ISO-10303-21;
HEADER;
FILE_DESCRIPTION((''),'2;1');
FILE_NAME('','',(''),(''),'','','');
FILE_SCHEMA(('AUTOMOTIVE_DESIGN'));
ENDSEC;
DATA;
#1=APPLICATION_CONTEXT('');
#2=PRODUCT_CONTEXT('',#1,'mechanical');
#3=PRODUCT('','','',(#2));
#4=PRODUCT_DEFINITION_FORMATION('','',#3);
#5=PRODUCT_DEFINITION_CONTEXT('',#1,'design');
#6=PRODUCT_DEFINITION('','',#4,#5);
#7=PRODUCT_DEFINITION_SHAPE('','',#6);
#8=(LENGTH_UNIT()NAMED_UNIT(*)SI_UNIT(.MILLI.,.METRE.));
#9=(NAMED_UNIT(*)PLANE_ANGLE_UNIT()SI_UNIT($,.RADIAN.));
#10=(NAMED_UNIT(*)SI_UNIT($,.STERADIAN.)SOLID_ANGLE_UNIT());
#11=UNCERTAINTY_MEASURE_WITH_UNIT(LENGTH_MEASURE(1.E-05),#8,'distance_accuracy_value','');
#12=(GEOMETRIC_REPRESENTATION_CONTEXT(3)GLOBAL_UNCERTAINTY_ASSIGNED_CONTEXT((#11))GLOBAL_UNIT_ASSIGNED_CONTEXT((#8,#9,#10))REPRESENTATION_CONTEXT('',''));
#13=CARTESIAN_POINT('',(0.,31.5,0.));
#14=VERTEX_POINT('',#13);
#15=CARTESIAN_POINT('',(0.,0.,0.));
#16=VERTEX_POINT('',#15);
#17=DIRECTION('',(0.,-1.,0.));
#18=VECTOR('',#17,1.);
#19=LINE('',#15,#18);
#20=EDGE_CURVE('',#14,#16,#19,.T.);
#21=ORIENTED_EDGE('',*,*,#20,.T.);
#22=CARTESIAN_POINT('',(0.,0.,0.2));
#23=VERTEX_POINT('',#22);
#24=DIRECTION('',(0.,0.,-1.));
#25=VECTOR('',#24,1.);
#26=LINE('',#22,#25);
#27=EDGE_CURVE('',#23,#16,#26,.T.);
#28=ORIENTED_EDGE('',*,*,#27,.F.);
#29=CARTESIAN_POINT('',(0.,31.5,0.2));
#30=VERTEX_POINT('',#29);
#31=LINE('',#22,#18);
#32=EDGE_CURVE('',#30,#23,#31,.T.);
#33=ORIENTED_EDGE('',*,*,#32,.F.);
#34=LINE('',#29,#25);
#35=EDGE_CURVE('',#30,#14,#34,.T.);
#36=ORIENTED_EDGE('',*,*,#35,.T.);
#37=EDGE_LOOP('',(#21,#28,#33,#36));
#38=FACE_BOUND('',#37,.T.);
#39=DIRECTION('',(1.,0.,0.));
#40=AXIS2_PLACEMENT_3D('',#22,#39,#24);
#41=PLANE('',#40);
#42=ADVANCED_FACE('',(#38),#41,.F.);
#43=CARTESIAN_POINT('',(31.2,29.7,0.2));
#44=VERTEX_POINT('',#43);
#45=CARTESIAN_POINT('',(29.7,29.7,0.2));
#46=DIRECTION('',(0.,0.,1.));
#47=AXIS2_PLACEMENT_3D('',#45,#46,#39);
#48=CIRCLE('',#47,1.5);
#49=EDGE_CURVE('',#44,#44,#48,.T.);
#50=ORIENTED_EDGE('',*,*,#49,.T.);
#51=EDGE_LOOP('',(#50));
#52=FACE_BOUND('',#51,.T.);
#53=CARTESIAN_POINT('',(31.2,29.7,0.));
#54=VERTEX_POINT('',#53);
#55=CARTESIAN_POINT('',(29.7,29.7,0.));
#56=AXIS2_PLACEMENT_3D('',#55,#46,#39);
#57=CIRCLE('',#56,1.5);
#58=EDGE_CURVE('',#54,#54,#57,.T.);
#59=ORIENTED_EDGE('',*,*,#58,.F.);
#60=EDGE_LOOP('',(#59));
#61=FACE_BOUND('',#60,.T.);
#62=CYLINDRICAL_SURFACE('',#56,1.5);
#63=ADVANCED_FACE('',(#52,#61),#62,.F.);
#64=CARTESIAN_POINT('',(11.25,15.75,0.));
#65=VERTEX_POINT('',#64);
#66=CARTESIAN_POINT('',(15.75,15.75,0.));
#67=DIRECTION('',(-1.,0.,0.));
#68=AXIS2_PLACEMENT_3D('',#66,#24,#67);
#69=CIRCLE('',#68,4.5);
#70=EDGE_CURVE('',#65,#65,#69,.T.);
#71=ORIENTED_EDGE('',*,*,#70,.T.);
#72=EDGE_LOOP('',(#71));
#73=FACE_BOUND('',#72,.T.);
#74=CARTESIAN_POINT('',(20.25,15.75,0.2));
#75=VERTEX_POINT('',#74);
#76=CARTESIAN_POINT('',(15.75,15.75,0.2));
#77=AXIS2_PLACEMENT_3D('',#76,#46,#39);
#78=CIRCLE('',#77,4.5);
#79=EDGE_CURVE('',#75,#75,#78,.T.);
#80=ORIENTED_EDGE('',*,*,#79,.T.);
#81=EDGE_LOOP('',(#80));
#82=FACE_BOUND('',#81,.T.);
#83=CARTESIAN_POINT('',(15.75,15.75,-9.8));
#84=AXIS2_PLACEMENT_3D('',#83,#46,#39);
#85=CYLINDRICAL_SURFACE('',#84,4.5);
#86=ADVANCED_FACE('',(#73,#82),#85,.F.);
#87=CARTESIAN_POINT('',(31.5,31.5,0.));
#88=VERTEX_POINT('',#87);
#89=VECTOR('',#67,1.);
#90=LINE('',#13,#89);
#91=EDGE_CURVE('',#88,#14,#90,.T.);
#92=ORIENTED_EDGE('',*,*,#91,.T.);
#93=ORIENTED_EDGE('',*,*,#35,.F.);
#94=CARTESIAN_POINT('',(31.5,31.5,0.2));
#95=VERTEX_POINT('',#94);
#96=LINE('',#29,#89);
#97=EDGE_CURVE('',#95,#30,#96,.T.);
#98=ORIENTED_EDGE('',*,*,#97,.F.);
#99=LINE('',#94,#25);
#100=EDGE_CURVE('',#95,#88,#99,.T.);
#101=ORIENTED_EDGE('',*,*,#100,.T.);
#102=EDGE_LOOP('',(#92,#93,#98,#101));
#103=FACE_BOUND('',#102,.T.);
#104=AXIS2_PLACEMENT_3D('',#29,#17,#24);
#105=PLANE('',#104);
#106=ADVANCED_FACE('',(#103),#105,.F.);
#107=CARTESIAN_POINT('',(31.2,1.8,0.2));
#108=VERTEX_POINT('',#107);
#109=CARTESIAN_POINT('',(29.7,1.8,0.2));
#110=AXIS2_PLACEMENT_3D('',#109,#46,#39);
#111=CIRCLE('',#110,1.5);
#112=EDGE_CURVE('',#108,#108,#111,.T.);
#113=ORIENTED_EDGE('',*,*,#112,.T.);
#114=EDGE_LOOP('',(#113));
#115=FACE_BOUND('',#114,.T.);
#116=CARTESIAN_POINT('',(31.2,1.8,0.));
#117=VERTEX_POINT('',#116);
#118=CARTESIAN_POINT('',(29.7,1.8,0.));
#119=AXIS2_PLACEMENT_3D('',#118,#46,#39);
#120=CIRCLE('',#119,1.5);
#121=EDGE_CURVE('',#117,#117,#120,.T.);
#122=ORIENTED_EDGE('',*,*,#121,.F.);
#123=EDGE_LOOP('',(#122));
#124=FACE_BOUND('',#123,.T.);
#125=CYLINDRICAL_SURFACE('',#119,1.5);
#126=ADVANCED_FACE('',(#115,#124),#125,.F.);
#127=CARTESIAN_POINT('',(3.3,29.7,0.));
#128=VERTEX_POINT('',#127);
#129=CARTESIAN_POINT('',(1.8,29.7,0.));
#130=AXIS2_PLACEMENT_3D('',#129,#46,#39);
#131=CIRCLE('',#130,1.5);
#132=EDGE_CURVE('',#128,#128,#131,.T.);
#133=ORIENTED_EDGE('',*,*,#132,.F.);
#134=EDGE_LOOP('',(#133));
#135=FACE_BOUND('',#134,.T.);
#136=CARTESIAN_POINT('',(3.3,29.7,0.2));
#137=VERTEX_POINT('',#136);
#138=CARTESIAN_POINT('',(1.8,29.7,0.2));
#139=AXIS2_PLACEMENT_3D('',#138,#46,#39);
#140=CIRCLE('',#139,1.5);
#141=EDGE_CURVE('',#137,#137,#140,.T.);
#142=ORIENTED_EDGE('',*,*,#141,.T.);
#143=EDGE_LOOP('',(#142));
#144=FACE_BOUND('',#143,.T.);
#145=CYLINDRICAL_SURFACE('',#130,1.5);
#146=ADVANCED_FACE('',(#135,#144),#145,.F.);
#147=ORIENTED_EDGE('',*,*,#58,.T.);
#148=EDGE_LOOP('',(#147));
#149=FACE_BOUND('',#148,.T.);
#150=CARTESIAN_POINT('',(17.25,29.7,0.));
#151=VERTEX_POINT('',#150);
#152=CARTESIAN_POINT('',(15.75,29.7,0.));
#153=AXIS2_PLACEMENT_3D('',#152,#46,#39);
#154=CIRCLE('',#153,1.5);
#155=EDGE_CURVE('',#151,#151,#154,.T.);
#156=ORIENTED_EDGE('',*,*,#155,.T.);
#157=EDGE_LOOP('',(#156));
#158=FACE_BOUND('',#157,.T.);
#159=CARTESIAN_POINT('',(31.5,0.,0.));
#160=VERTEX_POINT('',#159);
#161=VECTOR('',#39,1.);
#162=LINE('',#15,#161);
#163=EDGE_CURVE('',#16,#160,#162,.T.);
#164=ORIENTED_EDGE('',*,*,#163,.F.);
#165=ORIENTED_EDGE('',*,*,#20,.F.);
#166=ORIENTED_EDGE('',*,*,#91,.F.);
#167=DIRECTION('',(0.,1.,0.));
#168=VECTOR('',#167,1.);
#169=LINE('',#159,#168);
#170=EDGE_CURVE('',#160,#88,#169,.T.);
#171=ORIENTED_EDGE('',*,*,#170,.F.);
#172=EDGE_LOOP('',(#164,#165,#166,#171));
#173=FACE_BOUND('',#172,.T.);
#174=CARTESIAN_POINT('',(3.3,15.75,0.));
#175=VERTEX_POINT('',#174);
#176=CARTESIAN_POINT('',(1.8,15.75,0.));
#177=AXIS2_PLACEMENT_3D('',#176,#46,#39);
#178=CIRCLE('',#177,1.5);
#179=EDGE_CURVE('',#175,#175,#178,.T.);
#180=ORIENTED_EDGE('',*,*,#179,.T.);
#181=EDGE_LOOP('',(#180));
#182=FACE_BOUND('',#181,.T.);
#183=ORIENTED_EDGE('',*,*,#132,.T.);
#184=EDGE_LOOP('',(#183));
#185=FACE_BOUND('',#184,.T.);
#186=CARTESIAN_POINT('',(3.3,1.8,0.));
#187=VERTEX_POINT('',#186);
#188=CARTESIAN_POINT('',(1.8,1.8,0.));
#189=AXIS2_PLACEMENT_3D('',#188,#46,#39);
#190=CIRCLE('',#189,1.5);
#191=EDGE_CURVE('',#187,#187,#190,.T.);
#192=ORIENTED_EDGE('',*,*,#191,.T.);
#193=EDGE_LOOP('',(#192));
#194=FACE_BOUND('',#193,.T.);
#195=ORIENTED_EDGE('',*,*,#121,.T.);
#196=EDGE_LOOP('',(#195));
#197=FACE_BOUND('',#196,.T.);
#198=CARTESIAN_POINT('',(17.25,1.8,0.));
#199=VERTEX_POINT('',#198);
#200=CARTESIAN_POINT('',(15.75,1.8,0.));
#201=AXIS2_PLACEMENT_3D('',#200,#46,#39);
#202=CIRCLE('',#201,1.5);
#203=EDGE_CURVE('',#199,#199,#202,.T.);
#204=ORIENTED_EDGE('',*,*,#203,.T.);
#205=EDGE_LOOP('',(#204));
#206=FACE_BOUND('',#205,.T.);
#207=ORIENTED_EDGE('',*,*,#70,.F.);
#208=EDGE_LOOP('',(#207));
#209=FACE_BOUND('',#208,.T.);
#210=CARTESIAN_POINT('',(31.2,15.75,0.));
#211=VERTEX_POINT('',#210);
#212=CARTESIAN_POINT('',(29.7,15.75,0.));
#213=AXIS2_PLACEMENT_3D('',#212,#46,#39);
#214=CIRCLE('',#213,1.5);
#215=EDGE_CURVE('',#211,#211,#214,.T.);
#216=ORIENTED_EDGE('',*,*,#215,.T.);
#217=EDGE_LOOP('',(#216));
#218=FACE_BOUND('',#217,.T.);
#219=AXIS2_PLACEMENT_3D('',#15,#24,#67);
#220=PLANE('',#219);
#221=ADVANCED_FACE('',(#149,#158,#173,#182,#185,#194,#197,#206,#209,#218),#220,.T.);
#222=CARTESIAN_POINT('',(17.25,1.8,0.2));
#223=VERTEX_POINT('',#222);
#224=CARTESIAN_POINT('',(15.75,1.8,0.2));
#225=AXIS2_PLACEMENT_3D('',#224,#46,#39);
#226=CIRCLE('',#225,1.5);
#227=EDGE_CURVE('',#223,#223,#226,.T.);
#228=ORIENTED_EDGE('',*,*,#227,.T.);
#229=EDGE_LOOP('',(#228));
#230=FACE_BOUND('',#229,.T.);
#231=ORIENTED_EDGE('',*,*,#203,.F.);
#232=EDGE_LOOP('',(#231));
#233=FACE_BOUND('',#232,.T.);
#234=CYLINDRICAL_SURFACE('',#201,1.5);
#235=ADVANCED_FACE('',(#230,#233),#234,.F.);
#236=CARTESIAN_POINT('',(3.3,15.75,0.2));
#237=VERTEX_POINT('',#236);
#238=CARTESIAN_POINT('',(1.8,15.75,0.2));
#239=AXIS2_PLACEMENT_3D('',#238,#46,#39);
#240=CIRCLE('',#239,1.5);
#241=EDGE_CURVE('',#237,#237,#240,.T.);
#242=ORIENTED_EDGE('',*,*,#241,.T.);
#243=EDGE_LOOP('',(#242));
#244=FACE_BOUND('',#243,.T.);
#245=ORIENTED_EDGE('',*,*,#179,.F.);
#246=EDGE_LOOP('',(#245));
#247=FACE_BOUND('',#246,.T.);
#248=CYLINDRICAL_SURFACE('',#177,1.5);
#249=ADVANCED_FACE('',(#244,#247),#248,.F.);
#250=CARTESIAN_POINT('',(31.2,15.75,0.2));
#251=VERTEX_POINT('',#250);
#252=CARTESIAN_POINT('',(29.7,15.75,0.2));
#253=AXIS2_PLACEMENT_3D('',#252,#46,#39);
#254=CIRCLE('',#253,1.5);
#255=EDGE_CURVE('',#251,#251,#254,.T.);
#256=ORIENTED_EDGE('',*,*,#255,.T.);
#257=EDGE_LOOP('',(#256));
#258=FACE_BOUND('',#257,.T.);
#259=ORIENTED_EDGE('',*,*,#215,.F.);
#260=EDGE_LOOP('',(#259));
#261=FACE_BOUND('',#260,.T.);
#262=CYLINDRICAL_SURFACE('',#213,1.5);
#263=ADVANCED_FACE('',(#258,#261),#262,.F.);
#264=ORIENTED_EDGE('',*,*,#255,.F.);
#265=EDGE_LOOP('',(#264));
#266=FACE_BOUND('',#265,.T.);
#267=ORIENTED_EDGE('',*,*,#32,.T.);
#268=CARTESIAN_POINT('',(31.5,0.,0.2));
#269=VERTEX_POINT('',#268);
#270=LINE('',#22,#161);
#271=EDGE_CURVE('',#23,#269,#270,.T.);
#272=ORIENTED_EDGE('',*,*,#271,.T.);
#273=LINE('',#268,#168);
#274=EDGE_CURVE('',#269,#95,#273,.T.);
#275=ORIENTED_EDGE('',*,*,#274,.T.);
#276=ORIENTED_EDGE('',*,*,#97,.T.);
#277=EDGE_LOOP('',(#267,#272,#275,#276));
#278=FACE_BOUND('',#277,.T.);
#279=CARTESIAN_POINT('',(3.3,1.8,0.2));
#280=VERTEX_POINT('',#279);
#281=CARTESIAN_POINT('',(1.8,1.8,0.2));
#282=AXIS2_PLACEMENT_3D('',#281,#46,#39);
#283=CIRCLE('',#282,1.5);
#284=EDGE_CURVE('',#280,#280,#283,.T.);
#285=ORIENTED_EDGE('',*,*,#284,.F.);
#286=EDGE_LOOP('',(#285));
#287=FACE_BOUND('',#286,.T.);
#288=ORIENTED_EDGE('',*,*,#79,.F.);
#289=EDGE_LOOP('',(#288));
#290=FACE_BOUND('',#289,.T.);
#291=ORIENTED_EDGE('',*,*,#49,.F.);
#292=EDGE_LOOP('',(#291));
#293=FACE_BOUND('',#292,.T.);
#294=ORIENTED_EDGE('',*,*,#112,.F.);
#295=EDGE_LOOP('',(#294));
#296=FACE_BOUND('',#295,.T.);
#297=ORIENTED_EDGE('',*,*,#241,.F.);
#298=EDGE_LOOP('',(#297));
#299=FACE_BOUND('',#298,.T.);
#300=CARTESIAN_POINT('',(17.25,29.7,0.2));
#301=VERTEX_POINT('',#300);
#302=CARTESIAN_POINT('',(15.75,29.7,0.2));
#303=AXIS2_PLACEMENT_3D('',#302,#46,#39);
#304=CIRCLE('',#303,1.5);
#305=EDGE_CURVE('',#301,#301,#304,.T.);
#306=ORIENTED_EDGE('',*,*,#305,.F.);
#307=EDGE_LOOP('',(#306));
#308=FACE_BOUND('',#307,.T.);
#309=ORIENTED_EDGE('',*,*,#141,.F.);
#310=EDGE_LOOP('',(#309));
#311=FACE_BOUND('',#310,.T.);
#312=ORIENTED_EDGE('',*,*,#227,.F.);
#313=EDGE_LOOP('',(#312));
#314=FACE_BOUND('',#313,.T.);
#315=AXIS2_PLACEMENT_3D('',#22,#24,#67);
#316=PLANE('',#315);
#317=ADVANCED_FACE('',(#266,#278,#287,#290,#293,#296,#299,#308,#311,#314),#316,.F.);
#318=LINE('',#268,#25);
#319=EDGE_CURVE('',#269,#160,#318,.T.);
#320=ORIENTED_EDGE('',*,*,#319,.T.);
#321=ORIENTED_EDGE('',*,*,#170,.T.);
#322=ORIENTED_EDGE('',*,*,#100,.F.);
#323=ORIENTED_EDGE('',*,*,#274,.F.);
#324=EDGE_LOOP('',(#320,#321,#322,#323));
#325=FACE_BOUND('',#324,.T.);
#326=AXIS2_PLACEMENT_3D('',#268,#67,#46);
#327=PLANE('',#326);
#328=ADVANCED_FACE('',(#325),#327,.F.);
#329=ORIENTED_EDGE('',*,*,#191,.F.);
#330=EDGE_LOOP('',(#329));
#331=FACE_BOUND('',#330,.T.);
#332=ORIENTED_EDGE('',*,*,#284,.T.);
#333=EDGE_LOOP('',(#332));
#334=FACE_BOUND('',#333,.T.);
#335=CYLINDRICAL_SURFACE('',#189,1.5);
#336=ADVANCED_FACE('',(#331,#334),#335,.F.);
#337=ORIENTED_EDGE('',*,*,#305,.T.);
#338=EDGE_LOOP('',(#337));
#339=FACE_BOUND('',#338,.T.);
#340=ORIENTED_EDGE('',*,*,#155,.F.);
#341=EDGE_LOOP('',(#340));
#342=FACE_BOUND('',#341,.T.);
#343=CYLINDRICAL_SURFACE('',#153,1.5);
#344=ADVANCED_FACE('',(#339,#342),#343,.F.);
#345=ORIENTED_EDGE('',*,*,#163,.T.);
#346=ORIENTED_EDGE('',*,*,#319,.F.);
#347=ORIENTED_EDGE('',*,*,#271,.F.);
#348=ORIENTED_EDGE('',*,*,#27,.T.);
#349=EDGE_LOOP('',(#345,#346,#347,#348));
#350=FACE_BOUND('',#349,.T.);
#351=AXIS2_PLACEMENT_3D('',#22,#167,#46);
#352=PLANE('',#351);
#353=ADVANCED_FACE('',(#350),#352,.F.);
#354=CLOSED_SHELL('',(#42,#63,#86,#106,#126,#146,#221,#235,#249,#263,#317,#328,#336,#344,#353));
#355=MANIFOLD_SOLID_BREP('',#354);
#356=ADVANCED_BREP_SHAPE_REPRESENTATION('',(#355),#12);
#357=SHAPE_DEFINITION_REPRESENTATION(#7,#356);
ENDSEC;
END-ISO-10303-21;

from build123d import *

# Parameters (mm, degrees)
SKETCH_1_W          = 31.5
SKETCH_1_H          = 31.5
EXTRUDE_1_DEPTH     = 0.2
SKETCH_2_R          = 4.5
CUT_EXTRUDE_1_DEPTH = 10
SKETCH_3_R          = 1.5
SKETCH_3_R_2        = 4.5
CUT_EXTRUDE_2_DEPTH = 0.2


with BuildPart() as part:
    # 스케치1 → 보스-돌출1 (new body)
    with BuildSketch(Plane.XY):
        with Locations((15.75, 15.75)):
            Rectangle(SKETCH_1_W, SKETCH_1_H)
    extrude(amount=EXTRUDE_1_DEPTH)

    # 스케치2 → 컷-돌출1 (cut)
    with BuildSketch(Plane.XY.offset(0.2)):
        with Locations((15.75, 15.75)):
            Circle(SKETCH_2_R)
    extrude(amount=-CUT_EXTRUDE_1_DEPTH, mode=Mode.SUBTRACT)

    # 스케치3 → 컷-돌출2 (cut)
    with BuildSketch(Plane.XY.offset(0.2)):
        with Locations((29.7, 15.75)):
            Circle(SKETCH_3_R)
        with Locations((15.75, 15.75)):
            Circle(SKETCH_3_R_2)
        with Locations((15.75, 1.8)):
            Circle(SKETCH_3_R)
        with Locations((1.8, 15.75)):
            Circle(SKETCH_3_R)
        with Locations((15.75, 29.7)):
            Circle(SKETCH_3_R)
        with Locations((1.8, 29.7)):
            Circle(SKETCH_3_R)
        with Locations((29.7, 29.7)):
            Circle(SKETCH_3_R)
        with Locations((29.7, 1.8)):
            Circle(SKETCH_3_R)
        with Locations((1.8, 1.8)):
            Circle(SKETCH_3_R)
    extrude(amount=-CUT_EXTRUDE_2_DEPTH, mode=Mode.SUBTRACT)


solid = part.part
